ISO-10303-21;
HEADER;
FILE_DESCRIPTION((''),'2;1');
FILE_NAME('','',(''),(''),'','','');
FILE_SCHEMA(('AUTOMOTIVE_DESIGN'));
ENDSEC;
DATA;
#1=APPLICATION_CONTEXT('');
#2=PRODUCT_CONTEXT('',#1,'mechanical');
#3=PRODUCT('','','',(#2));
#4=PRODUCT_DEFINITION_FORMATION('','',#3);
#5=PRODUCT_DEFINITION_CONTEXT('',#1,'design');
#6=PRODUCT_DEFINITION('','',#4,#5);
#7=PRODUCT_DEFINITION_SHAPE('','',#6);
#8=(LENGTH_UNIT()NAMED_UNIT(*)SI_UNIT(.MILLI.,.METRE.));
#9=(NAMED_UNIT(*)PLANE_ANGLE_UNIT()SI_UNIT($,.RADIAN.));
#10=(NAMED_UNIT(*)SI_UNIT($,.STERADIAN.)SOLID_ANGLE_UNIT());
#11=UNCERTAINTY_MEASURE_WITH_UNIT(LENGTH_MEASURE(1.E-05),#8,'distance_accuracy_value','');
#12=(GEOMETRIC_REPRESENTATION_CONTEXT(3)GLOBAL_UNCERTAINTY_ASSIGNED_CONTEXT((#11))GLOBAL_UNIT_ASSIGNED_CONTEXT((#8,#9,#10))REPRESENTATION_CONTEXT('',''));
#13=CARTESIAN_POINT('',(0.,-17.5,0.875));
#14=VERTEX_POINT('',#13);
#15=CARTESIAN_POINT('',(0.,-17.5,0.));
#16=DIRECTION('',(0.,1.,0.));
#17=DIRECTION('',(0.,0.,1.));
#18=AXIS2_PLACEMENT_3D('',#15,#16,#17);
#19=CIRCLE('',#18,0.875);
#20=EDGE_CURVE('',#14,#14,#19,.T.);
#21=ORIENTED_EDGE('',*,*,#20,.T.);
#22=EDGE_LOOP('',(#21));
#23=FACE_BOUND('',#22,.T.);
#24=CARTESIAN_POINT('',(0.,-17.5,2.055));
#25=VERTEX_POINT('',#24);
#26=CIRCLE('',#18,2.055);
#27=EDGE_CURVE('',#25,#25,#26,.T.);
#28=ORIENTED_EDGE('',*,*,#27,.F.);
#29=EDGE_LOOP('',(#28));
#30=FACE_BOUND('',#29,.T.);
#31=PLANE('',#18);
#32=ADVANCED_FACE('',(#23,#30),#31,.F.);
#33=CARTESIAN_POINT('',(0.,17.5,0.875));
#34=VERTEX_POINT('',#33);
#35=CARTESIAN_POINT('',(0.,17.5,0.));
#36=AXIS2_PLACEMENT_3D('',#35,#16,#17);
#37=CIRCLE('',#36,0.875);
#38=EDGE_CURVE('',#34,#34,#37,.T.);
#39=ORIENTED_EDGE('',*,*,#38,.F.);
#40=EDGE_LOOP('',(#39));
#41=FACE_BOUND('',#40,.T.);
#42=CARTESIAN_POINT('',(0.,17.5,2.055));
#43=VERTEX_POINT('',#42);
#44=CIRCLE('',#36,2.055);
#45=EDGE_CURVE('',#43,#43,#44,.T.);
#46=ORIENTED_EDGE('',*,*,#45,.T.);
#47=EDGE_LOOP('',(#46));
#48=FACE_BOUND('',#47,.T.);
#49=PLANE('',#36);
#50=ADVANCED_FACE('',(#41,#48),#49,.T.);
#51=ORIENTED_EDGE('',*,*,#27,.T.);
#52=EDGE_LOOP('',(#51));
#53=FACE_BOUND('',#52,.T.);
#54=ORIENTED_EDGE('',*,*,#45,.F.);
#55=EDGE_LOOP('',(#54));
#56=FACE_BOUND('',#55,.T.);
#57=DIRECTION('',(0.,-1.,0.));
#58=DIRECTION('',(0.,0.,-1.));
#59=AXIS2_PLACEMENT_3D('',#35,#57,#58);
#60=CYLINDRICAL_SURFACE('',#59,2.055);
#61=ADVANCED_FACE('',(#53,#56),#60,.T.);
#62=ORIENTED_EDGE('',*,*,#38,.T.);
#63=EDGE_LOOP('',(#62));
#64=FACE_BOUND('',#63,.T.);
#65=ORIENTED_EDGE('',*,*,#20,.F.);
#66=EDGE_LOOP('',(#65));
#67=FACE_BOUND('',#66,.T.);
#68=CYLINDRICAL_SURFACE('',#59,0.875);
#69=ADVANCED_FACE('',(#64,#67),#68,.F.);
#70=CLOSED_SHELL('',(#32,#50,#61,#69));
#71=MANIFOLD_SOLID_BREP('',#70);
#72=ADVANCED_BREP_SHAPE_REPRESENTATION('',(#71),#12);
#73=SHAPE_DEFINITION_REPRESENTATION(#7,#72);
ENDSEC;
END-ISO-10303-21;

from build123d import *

# Parameters (mm, degrees)
SKETCH1_R           = 2.055
SKETCH1_R_2         = 0.875
BOSS_EXTRUDE1_DEPTH = 17.5


with BuildPart() as part:
    # Sketch1 → Boss-Extrude1 (new body, symmetric)
    with BuildSketch(Plane(origin=(0, 0, 0), x_dir=(1, 0, 0), z_dir=(0, 1, 0))):
        Circle(SKETCH1_R)
        Circle(SKETCH1_R_2, mode=Mode.SUBTRACT)
    extrude(amount=BOSS_EXTRUDE1_DEPTH, both=True)


solid = part.part
